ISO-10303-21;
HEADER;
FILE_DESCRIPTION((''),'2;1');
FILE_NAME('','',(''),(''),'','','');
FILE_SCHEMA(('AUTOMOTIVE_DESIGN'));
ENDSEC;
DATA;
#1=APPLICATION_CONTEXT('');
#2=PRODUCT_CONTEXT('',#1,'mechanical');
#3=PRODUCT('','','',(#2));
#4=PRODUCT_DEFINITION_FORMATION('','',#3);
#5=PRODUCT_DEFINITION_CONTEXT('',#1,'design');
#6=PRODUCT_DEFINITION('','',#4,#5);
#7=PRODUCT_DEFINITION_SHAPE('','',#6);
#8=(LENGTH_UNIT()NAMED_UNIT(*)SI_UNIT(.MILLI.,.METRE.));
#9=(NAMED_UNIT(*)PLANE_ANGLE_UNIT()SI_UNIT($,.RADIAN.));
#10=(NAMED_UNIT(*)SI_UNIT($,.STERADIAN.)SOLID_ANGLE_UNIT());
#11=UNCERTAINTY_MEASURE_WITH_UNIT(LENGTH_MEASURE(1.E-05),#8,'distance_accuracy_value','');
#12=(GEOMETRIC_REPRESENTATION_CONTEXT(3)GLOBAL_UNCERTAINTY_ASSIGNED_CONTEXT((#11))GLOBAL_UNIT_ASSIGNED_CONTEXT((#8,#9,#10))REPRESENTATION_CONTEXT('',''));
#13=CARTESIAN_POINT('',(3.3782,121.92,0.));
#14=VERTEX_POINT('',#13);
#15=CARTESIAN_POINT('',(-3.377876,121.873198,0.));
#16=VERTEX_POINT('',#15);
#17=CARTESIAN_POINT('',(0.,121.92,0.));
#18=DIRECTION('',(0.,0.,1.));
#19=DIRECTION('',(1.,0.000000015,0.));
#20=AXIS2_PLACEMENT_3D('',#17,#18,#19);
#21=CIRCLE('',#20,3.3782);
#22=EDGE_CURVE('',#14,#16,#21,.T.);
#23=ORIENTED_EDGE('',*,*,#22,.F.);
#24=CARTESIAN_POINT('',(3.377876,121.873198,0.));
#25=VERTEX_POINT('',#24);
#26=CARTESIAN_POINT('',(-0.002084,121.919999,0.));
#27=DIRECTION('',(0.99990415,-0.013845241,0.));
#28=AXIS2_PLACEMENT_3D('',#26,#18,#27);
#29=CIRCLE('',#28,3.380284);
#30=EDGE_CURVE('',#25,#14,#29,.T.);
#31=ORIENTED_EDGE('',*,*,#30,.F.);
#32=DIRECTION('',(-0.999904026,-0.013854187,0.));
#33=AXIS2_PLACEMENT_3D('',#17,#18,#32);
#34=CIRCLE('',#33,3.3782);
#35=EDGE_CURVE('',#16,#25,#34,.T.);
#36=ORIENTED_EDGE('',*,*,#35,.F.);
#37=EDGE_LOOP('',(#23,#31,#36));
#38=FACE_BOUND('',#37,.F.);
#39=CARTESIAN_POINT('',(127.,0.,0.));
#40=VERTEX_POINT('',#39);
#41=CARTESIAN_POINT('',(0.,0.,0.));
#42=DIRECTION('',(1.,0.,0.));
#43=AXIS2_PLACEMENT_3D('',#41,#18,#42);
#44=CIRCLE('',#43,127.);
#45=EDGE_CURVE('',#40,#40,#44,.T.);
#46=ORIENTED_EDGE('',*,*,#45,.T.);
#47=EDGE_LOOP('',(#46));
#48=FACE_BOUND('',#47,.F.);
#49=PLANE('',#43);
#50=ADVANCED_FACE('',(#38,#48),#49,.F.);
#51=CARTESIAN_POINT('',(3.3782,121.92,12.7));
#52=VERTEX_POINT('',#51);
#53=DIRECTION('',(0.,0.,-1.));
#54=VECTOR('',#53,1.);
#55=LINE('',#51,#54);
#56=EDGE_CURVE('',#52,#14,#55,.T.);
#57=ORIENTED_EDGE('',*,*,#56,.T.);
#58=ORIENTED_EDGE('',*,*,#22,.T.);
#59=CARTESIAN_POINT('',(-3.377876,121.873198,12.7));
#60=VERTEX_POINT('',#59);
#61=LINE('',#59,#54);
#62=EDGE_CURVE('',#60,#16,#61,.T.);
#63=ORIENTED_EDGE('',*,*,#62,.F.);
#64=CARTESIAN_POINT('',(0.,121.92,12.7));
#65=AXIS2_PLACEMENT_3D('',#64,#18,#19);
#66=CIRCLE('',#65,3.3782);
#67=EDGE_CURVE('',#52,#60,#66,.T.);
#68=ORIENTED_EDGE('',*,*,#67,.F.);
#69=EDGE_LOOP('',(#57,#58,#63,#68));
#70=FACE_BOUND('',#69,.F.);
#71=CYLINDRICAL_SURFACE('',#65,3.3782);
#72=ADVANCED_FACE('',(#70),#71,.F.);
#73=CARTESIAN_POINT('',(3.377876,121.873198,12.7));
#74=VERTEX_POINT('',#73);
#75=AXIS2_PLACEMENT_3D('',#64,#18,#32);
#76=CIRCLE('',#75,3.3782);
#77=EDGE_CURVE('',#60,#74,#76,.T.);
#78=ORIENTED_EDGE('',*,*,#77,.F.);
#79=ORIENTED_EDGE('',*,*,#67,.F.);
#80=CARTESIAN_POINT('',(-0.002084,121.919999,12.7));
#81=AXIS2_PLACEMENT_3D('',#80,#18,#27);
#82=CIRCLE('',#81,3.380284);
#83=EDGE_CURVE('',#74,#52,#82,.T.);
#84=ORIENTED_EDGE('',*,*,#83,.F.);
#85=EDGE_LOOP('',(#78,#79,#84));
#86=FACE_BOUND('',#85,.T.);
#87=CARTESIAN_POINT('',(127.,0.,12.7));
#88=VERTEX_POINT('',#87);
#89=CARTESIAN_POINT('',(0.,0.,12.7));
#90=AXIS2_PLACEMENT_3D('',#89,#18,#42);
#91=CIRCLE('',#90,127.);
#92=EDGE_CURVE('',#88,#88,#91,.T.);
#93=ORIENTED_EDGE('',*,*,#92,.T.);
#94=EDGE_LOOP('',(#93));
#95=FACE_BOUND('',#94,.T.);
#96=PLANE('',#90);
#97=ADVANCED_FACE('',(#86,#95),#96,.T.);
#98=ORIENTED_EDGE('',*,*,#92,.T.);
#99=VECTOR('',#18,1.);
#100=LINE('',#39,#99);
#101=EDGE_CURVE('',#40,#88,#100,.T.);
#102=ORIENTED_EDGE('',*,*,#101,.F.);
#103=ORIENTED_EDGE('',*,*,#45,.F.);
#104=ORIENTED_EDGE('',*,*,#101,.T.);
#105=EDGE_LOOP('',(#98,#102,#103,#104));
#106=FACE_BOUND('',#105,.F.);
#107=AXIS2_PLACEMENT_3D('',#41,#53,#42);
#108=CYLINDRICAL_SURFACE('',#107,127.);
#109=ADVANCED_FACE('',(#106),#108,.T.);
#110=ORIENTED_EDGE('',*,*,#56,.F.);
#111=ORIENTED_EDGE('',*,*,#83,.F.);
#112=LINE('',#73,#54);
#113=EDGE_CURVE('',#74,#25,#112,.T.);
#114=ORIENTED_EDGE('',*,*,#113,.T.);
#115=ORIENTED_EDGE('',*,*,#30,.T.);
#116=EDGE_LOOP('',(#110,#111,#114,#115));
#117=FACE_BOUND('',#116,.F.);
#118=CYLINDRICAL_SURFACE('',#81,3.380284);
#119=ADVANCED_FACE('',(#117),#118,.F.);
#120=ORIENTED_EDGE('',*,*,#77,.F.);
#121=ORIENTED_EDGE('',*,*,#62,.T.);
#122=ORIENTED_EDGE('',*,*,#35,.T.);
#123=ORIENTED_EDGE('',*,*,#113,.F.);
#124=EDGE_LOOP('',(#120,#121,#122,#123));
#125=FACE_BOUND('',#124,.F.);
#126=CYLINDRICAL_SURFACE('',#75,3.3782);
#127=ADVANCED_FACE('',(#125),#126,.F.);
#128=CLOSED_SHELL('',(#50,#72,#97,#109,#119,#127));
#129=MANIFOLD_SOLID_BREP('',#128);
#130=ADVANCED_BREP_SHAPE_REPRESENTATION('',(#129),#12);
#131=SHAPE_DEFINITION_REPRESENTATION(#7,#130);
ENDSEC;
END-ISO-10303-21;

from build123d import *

# Parameters (mm, degrees)
F0_R     = 127
F1_DEPTH = 12.7
F3_DEPTH = 12.701


with BuildPart() as f1:
    # F0 (on Top) → F1 (new body)
    with BuildSketch(Plane.XY):
        Circle(F0_R)
    extrude(amount=F1_DEPTH)

    # F2 (on face) → F3 (cut, through all)
    with BuildSketch(Plane.XY.offset(12.7)):
        with BuildLine():
            ThreePointArc((-3.377876, 121.873198), (0, 118.5418), (3.377876, 121.873198))
            ThreePointArc((3.377876, 121.873198), (0, 121.92), (-3.377876, 121.873198))
        make_face()
        with BuildLine():
            ThreePointArc((-3.377876, 121.873198), (0, 121.92), (3.377876, 121.873198))
            ThreePointArc((3.377876, 121.873198), (3.378119, 121.896598), (3.3782, 121.92))
            ThreePointArc((3.3782, 121.92), (-0.023402, 125.298119), (-3.377876, 121.873198))
        make_face()
    extrude(amount=-F3_DEPTH, mode=Mode.SUBTRACT)


solid = f1.part
